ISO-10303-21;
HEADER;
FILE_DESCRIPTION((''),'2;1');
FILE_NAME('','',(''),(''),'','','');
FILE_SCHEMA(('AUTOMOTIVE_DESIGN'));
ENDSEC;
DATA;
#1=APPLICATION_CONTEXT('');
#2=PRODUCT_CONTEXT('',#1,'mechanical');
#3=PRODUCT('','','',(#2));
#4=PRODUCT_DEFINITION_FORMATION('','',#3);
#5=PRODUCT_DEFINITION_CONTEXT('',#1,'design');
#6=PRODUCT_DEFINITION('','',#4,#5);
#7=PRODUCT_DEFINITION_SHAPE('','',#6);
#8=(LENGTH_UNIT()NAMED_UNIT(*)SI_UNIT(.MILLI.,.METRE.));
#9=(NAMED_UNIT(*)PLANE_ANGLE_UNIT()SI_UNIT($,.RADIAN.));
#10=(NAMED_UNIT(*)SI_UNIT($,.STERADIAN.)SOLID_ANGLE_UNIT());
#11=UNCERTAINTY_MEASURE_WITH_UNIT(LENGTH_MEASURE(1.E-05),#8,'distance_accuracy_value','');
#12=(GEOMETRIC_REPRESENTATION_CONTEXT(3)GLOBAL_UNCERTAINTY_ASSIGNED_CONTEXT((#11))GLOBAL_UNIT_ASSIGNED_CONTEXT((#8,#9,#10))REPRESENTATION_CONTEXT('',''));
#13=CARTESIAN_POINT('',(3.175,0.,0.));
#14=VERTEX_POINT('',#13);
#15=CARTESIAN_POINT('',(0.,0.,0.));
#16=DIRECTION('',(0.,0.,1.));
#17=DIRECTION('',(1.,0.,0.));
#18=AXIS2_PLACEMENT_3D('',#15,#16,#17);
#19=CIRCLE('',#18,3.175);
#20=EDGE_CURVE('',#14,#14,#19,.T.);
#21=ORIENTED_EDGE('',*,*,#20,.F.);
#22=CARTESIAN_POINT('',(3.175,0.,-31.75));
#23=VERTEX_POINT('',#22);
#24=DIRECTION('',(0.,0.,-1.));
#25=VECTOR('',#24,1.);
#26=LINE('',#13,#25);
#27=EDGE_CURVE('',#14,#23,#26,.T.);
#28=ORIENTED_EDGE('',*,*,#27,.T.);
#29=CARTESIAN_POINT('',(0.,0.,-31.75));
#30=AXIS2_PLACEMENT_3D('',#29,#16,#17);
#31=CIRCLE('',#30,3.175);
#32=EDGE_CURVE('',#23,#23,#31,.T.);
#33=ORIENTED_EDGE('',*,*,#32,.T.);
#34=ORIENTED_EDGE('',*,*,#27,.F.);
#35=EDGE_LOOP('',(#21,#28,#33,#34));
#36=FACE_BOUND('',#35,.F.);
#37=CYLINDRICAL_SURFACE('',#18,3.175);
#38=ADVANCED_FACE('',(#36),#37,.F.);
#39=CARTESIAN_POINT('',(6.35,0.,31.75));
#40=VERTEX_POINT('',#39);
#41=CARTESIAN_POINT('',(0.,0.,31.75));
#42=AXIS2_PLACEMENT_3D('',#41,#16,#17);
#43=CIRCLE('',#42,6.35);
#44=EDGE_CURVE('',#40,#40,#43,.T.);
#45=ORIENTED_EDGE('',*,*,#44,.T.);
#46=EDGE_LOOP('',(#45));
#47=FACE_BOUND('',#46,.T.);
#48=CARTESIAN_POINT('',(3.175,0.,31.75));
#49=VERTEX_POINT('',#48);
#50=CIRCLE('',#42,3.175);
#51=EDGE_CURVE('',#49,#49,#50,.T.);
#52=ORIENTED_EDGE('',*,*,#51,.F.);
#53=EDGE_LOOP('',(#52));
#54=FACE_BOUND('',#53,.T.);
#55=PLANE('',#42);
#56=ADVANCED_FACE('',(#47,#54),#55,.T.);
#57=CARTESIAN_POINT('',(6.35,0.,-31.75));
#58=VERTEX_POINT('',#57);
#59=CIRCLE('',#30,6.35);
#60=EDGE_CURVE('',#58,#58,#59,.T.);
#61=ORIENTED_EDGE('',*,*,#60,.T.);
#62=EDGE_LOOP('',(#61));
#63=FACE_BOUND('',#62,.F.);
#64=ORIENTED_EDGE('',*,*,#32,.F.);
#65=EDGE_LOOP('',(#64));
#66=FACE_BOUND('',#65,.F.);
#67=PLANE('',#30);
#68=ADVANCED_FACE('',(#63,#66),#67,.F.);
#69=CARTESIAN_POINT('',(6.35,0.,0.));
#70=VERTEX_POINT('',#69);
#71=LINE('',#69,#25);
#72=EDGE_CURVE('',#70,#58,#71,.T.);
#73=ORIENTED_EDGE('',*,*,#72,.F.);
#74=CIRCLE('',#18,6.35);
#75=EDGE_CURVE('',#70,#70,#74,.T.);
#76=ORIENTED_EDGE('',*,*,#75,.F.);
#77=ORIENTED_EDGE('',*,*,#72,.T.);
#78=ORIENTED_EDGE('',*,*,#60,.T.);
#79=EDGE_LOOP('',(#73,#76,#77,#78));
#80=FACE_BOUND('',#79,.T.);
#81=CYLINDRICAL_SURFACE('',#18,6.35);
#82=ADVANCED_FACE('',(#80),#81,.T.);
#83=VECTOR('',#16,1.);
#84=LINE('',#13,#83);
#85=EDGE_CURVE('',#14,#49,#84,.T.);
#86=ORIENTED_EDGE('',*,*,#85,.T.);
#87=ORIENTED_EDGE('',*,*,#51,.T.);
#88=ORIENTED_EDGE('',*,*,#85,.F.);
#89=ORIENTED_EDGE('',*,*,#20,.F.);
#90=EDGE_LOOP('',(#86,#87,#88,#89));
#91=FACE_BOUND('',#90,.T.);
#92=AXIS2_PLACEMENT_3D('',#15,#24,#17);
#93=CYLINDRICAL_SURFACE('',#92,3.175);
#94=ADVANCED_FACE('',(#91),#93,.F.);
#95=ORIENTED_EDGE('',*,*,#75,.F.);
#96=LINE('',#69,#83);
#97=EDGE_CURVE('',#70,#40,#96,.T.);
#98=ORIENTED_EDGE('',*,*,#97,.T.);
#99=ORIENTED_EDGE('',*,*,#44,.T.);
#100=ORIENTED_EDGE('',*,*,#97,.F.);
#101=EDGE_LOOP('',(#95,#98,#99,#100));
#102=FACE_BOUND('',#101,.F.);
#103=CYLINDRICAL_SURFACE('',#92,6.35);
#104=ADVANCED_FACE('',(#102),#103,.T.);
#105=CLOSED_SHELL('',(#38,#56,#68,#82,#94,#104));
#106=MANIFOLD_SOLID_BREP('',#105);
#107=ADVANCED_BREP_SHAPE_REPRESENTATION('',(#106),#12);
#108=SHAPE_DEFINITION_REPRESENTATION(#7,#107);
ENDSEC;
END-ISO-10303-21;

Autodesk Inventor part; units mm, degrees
ref_plane "YZ Plane" through (0, 0, 0) normal (1, 0, 0) x (0, 1, 0)
ref_plane "XZ Plane" through (0, 0, 0) normal (0, 1, 0) x (-1, 0, 0)
ref_plane "XY Plane" through (0, 0, 0) normal (0, 0, 1) x (1, 0, 0)
sketch "Sketch1" plane through (0, 0, 0) normal (0, 0, 1) x (1, 0, 0)
  circle A0 centre (0, 0) radius 6.35
  circle A1 centre (0, 0) radius 3.175
  dimension "d0" = 12.7
  dimension "d1" = 6.35
extrude "Extrusion1" add sketch "Sketch1" along normal mid plane 63.5
properties part number "Tube Axle 2500 in" material "Aluminum 6061"
